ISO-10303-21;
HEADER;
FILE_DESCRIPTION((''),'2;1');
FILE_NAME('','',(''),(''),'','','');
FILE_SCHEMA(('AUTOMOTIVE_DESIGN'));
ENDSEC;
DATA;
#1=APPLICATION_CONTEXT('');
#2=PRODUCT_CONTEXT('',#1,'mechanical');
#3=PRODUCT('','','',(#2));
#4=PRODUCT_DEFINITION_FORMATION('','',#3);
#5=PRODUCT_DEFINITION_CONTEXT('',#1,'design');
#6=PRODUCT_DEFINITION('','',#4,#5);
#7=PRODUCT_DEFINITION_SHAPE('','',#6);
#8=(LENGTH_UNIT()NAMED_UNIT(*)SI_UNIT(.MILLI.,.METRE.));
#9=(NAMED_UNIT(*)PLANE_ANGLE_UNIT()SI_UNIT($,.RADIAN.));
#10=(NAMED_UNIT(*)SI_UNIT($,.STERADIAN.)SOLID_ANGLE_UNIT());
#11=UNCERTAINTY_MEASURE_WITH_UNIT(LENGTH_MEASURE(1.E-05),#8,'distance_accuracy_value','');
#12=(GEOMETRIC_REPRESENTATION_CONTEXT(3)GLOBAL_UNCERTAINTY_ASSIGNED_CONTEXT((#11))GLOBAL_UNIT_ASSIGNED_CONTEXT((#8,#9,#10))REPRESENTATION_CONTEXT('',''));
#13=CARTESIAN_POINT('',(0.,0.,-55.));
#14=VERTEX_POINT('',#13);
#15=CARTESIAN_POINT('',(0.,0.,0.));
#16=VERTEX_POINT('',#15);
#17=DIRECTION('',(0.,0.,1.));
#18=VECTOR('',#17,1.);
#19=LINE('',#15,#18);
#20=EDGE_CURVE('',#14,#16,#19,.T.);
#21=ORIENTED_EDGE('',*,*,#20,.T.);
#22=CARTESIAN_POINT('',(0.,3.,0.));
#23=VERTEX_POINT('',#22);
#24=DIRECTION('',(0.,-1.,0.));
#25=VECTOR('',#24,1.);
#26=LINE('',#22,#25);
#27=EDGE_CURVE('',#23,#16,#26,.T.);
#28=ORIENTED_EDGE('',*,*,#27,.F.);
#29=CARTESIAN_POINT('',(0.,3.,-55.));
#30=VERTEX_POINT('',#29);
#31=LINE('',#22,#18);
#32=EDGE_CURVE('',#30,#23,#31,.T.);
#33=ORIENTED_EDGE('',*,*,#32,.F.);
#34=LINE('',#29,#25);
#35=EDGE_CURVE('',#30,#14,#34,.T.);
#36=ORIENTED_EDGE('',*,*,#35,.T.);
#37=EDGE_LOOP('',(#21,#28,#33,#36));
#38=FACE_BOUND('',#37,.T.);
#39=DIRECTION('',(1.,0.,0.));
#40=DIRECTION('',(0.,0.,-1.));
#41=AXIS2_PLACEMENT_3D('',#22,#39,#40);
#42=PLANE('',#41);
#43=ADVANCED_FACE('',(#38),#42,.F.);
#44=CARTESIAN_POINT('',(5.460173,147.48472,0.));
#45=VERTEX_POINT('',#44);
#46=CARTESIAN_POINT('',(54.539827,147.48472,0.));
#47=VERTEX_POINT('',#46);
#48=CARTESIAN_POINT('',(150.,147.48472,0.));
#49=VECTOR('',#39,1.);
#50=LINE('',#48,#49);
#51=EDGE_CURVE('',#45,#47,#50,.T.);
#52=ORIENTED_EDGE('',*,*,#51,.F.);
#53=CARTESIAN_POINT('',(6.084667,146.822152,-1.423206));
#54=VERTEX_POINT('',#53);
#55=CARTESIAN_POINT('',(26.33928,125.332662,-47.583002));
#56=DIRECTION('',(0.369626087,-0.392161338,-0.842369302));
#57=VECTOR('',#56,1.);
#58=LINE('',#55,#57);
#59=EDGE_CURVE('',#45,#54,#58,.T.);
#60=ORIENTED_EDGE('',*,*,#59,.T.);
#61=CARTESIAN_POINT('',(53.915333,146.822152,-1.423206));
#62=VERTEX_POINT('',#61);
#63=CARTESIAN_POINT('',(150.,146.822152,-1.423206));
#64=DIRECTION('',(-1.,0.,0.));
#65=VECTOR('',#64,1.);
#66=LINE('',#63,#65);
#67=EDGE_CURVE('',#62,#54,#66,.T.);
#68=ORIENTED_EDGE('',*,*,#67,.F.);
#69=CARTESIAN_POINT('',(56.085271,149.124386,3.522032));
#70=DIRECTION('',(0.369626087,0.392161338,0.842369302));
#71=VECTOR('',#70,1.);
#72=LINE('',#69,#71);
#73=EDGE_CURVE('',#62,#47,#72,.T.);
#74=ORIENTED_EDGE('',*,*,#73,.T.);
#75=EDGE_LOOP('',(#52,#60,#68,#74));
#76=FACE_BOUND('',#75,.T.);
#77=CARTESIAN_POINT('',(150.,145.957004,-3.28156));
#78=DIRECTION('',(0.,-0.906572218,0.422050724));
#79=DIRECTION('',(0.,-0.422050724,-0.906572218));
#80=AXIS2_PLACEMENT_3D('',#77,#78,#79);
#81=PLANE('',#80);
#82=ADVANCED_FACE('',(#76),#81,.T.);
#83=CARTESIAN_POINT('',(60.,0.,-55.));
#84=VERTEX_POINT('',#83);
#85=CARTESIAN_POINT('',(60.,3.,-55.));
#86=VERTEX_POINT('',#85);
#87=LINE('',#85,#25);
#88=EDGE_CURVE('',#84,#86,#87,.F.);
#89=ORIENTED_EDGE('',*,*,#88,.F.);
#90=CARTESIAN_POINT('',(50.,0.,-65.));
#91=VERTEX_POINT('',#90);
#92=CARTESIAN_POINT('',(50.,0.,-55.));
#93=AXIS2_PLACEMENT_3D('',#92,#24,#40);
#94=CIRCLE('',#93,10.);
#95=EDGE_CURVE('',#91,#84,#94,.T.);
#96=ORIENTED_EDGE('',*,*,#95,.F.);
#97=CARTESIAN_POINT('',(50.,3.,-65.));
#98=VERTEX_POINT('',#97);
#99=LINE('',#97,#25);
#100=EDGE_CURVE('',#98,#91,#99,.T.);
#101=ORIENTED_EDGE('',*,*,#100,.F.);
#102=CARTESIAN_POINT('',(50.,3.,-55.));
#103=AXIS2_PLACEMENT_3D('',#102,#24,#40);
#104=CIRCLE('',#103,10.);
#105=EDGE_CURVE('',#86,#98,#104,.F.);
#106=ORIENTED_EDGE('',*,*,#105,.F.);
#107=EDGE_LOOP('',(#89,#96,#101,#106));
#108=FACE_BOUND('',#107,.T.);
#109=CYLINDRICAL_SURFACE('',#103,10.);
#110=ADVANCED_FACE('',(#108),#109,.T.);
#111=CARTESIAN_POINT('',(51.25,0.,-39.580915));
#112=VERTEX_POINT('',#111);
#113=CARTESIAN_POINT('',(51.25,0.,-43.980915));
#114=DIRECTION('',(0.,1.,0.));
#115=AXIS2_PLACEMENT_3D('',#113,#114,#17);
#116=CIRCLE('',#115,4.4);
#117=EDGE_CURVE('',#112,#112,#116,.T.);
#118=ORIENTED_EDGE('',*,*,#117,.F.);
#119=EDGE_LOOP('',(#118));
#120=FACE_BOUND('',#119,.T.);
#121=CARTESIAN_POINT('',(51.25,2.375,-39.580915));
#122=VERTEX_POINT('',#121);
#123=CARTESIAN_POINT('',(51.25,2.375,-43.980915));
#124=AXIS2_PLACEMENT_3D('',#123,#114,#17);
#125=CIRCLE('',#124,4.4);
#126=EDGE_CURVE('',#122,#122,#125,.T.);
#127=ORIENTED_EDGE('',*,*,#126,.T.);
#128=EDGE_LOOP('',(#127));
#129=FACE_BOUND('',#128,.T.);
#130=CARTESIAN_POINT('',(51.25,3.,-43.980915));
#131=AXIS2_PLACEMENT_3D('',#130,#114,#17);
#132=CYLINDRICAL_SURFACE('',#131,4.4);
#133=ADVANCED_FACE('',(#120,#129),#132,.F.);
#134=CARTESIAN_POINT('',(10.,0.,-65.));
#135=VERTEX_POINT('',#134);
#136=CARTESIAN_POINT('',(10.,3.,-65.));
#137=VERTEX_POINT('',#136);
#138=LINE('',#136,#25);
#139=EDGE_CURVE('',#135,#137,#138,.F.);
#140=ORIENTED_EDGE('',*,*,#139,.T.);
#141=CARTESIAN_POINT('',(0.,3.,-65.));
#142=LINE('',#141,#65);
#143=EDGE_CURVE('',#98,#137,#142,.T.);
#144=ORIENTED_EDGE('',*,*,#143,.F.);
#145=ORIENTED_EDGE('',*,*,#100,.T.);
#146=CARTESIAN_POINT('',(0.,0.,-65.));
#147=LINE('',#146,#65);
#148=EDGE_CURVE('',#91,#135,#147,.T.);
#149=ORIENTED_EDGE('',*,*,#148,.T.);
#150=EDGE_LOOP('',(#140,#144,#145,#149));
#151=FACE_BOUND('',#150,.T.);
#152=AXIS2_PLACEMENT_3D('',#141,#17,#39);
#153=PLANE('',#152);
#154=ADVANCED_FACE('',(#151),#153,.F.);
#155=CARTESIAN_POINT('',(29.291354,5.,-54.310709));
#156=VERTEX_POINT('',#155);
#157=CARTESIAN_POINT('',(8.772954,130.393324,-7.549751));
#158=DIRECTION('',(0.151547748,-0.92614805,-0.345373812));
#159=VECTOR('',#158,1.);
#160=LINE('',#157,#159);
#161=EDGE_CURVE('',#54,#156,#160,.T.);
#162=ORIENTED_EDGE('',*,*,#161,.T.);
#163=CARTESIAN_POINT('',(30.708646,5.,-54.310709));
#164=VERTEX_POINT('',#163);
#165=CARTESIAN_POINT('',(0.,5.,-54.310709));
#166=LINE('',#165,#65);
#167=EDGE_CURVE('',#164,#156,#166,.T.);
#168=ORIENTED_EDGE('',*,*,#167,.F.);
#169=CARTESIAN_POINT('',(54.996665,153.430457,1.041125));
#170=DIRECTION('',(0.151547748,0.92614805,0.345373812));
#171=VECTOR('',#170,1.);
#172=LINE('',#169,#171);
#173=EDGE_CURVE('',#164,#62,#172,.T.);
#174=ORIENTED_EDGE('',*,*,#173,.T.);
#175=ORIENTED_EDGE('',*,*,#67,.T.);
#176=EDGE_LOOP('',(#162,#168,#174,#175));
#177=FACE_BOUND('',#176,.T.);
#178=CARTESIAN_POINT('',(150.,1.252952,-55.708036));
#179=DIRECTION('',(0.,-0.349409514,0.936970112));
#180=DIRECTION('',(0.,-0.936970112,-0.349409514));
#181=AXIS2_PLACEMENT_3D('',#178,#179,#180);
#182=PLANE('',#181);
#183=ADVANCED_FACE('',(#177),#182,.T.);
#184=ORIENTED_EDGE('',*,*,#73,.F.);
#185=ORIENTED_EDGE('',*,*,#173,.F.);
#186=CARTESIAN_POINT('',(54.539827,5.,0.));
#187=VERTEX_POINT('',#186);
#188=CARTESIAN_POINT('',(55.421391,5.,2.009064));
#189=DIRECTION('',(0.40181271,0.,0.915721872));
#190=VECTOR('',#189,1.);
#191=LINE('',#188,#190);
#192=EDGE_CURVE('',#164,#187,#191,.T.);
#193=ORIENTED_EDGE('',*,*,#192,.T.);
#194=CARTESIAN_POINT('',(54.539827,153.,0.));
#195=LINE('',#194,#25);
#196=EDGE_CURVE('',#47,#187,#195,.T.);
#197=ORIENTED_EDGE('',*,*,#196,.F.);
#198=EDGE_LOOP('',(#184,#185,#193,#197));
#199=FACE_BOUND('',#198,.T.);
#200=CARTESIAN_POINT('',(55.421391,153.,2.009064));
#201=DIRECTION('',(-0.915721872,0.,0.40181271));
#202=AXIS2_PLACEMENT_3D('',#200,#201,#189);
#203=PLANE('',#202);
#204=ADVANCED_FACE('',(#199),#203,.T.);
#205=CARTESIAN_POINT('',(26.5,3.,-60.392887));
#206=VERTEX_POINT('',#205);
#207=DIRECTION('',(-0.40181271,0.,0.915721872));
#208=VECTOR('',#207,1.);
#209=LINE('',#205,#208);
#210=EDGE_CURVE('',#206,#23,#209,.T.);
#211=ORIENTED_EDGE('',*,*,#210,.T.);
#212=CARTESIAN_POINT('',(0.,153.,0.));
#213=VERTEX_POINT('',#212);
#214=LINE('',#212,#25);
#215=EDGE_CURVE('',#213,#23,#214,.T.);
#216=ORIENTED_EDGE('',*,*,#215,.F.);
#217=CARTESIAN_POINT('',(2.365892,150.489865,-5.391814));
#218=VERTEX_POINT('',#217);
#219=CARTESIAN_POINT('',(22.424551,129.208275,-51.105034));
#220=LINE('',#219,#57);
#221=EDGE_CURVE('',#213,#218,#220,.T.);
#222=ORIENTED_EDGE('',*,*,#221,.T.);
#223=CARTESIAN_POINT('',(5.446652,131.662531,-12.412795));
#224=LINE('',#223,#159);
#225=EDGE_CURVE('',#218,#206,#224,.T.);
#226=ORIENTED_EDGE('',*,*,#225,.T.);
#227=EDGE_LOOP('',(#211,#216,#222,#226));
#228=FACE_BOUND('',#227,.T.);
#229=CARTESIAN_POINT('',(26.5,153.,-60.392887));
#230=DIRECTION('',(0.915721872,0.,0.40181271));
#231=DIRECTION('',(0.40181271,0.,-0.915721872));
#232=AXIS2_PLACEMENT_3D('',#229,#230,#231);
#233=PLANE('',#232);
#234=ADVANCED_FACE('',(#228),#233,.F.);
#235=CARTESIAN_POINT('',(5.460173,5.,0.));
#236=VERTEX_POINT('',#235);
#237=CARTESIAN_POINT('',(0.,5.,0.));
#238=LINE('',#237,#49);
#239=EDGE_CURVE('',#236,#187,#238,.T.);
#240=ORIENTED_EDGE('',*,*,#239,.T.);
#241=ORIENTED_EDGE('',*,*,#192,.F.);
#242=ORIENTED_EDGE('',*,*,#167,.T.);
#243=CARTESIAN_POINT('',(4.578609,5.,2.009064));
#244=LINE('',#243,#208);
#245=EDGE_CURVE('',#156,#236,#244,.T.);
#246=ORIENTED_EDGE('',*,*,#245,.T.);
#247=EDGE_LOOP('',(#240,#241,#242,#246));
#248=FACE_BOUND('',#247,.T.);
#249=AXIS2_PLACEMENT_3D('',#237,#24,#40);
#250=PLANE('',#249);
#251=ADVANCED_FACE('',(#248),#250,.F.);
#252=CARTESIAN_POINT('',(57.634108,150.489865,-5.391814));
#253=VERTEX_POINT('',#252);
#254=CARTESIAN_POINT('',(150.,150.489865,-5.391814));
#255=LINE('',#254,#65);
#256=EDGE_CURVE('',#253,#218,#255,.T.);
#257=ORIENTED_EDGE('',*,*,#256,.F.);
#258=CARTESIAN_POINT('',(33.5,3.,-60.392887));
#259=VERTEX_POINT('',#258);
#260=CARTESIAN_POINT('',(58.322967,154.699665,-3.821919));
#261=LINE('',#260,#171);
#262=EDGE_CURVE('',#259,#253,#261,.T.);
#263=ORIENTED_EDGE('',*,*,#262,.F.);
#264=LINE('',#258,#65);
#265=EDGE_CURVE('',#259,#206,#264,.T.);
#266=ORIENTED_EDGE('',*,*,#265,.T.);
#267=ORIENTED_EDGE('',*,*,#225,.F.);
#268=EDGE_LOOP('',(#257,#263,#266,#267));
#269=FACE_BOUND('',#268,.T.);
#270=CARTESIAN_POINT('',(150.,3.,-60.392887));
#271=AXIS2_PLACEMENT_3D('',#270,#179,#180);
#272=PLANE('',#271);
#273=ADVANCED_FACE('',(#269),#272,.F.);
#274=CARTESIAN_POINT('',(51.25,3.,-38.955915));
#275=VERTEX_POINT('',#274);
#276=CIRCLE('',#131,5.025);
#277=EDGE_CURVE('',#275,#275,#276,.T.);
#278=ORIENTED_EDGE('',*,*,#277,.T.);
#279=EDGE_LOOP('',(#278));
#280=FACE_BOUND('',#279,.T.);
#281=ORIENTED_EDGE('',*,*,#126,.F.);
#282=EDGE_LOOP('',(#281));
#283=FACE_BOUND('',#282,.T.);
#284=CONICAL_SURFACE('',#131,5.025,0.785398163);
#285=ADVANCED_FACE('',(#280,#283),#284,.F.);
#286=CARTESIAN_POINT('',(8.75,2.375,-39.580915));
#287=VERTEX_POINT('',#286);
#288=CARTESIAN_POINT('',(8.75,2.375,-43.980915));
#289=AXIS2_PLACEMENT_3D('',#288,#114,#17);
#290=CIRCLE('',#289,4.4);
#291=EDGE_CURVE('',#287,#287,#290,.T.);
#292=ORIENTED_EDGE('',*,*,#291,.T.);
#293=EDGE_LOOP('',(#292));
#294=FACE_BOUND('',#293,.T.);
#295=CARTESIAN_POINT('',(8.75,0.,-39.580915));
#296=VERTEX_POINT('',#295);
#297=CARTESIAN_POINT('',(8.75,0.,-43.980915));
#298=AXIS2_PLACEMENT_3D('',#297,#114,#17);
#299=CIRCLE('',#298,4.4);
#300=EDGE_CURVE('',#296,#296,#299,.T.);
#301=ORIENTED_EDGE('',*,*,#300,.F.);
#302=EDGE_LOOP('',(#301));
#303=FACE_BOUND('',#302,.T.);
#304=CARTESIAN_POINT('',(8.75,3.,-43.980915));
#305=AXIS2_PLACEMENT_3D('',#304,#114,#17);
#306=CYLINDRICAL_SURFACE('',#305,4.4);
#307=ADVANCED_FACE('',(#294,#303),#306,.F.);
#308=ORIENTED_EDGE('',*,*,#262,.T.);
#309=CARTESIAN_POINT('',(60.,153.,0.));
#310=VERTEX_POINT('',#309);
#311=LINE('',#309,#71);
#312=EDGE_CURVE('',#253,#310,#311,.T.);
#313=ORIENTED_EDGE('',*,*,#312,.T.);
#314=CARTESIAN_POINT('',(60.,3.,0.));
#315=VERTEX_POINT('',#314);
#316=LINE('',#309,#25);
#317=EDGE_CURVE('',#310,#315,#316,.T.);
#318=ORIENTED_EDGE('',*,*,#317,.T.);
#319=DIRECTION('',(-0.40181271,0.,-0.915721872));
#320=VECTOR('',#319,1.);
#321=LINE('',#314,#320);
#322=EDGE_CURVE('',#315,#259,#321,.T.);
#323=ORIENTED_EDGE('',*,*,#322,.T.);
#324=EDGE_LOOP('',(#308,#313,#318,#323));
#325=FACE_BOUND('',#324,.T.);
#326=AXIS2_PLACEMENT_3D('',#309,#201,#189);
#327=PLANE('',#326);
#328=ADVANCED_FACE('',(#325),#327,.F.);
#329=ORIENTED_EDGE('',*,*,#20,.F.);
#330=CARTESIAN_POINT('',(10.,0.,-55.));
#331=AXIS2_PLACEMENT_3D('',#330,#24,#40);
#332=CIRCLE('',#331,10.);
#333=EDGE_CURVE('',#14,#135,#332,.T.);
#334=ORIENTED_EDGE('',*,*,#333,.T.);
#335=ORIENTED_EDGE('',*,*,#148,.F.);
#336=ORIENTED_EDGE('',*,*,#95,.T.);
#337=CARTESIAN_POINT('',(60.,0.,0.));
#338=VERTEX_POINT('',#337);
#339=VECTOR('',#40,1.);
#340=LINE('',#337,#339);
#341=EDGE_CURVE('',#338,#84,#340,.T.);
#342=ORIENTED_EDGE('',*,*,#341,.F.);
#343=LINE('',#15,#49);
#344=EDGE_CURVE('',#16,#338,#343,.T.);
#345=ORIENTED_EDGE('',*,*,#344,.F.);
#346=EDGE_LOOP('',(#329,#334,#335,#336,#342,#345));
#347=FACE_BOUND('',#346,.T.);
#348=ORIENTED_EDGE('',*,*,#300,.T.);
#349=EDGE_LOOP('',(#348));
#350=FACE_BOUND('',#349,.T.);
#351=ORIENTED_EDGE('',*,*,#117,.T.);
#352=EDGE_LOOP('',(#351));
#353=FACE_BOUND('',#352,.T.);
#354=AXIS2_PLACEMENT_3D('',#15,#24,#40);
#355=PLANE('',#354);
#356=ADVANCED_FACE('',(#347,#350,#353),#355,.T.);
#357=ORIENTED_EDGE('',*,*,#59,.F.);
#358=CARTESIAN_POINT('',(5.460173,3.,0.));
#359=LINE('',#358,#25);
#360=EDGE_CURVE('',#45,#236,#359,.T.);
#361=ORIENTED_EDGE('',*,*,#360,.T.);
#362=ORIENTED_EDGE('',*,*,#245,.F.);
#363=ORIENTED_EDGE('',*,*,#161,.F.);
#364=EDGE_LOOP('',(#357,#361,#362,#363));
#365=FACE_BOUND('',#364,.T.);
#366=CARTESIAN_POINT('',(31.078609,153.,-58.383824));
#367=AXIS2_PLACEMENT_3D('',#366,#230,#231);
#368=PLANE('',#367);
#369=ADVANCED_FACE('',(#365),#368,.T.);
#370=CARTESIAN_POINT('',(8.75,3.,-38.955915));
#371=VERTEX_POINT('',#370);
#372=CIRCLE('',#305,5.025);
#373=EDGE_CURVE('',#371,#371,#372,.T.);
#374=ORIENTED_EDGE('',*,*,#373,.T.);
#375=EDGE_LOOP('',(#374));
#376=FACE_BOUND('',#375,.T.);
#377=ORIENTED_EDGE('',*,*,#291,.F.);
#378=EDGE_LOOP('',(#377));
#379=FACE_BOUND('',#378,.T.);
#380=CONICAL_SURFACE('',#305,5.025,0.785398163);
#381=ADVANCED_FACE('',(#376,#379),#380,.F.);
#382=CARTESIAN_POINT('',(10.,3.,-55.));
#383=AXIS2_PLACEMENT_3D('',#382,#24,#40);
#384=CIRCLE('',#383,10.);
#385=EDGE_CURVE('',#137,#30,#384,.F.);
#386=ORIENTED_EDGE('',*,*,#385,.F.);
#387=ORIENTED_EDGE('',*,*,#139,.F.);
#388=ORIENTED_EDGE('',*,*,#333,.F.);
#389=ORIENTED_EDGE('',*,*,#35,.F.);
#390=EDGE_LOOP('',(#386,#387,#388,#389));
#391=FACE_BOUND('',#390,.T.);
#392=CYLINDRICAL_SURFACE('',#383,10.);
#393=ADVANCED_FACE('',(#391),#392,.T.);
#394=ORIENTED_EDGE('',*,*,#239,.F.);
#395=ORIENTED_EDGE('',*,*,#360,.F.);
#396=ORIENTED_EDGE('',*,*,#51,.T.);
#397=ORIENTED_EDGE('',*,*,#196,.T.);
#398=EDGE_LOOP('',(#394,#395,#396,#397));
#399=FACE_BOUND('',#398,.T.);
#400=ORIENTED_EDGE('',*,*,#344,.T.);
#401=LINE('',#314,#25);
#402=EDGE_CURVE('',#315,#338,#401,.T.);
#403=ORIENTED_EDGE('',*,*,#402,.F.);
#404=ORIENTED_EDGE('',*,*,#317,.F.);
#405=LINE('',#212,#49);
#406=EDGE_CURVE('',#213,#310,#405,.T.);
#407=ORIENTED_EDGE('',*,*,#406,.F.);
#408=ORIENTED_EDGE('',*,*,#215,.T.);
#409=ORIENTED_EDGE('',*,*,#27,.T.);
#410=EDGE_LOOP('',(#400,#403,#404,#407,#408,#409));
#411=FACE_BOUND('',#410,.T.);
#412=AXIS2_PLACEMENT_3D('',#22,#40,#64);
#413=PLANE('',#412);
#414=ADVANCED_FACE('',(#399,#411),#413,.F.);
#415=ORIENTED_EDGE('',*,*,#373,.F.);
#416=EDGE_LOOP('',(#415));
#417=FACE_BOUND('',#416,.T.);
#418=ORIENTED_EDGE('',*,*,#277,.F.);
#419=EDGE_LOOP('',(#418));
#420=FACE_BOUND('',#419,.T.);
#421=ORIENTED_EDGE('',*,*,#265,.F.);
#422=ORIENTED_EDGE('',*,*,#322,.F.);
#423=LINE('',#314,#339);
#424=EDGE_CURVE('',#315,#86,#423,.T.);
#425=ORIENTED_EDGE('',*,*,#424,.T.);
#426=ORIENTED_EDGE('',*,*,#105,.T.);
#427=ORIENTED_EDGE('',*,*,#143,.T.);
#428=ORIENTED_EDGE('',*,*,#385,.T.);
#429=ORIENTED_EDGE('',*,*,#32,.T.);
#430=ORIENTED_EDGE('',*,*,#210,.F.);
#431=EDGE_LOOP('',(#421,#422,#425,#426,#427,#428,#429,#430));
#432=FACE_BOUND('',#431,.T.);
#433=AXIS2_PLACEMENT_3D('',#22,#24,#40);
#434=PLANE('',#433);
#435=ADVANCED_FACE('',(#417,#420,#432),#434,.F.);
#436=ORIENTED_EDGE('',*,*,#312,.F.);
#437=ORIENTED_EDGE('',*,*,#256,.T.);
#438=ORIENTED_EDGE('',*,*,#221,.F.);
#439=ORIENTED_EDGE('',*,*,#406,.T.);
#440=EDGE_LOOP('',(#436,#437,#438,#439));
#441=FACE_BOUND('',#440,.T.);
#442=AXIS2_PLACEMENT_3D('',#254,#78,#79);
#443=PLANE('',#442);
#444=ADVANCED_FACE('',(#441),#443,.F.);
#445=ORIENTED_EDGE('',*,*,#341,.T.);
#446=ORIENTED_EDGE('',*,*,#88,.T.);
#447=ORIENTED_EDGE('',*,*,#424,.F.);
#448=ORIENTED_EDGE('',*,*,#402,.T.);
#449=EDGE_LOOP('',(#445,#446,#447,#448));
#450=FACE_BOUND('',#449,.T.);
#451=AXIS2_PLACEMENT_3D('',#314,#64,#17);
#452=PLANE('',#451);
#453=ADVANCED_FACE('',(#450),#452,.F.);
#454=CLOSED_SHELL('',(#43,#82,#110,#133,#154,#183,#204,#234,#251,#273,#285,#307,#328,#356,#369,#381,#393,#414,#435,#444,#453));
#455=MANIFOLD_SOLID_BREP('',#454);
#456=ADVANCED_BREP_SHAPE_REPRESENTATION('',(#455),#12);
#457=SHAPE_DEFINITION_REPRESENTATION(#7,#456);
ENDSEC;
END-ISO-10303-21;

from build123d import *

# Parameters (mm, degrees)
SKETCH1_W                        = 60
SKETCH1_H                        = 65
BOSS_EXTRUDE2_DEPTH              = 3
BOSS_EXTRUDE4_DEPTH              = 150
CUT_EXTRUDE2_DEPTH               = 150
FILLET1_R                        = 10
SHELL1_T                         = -5
M10X1_25_TAPPED_HOLE1_AT_2_COUNT = 2
M10X1_25_TAPPED_HOLE1_AT_2_PITCH = 42.5


with BuildPart() as part:
    # Sketch1 → Boss-Extrude2 (new body)
    with BuildSketch(Plane(origin=(0, 0, 0), x_dir=(1, 0, 0), z_dir=(0, 1, 0))):
        with Locations((30, 32.5)):
            Rectangle(SKETCH1_W, SKETCH1_H)
    extrude(amount=BOSS_EXTRUDE2_DEPTH)

    # Sketch3 → Boss-Extrude4 (add)
    with BuildSketch(Plane(origin=(0, 3, 0), x_dir=(1, 0, 0), z_dir=(0, 1, 0))):
        Polygon((0, 0), (60, 0), (33.5, 60.392887062), (26.5, 60.392887062), align=None)
    extrude(amount=BOSS_EXTRUDE4_DEPTH)

    # Sketch5 → Cut-Extrude2 (cut)
    with BuildSketch(Plane.ZY):
        Polygon((-60.392887062, 3), (-5.391813619, 150.489864796), (0, 153), (0, 157.732510012), (-60.392887062, 157.732510012), align=None)
    extrude(amount=-CUT_EXTRUDE2_DEPTH, mode=Mode.SUBTRACT)

    # Fillet1
    fillet1_edges = [part.edges().sort_by_distance(p)[0] for p in [
        (0, 1.5, -65),
        (60, 1.5, -65),
    ]]
    fillet(fillet1_edges, radius=FILLET1_R)

    # Shell1
    shell1_openings = [part.faces().sort_by_distance(p)[0] for p in [
        (30, 52, 0),
    ]]
    offset(amount=SHELL1_T, openings=shell1_openings)

    # Sketch7 → M10x1.25 Tapped Hole1 (revolve, cut)
    with BuildSketch(Plane(origin=(51.25, 3, -43.980915379), x_dir=(0, 0, 1), z_dir=(1, 0, 0))):
        Polygon((0, 0), (0, 3), (4.4, 3), (4.4, 0.625), (5.025, 0), align=None)
    m10x1_25_tapped_hole1 = revolve(axis=Axis((51.25, 9.35, -43.980915379), (0, -1, 0)), mode=Mode.SUBTRACT)

    # M10x1.25 Tapped Hole1 at 2: M10x1.25 Tapped Hole1 ×2
    with Locations(*[(-i * M10X1_25_TAPPED_HOLE1_AT_2_PITCH, 0, 0) for i in range(1, M10X1_25_TAPPED_HOLE1_AT_2_COUNT)]):
        add(m10x1_25_tapped_hole1, mode=Mode.SUBTRACT)


solid = part.part
